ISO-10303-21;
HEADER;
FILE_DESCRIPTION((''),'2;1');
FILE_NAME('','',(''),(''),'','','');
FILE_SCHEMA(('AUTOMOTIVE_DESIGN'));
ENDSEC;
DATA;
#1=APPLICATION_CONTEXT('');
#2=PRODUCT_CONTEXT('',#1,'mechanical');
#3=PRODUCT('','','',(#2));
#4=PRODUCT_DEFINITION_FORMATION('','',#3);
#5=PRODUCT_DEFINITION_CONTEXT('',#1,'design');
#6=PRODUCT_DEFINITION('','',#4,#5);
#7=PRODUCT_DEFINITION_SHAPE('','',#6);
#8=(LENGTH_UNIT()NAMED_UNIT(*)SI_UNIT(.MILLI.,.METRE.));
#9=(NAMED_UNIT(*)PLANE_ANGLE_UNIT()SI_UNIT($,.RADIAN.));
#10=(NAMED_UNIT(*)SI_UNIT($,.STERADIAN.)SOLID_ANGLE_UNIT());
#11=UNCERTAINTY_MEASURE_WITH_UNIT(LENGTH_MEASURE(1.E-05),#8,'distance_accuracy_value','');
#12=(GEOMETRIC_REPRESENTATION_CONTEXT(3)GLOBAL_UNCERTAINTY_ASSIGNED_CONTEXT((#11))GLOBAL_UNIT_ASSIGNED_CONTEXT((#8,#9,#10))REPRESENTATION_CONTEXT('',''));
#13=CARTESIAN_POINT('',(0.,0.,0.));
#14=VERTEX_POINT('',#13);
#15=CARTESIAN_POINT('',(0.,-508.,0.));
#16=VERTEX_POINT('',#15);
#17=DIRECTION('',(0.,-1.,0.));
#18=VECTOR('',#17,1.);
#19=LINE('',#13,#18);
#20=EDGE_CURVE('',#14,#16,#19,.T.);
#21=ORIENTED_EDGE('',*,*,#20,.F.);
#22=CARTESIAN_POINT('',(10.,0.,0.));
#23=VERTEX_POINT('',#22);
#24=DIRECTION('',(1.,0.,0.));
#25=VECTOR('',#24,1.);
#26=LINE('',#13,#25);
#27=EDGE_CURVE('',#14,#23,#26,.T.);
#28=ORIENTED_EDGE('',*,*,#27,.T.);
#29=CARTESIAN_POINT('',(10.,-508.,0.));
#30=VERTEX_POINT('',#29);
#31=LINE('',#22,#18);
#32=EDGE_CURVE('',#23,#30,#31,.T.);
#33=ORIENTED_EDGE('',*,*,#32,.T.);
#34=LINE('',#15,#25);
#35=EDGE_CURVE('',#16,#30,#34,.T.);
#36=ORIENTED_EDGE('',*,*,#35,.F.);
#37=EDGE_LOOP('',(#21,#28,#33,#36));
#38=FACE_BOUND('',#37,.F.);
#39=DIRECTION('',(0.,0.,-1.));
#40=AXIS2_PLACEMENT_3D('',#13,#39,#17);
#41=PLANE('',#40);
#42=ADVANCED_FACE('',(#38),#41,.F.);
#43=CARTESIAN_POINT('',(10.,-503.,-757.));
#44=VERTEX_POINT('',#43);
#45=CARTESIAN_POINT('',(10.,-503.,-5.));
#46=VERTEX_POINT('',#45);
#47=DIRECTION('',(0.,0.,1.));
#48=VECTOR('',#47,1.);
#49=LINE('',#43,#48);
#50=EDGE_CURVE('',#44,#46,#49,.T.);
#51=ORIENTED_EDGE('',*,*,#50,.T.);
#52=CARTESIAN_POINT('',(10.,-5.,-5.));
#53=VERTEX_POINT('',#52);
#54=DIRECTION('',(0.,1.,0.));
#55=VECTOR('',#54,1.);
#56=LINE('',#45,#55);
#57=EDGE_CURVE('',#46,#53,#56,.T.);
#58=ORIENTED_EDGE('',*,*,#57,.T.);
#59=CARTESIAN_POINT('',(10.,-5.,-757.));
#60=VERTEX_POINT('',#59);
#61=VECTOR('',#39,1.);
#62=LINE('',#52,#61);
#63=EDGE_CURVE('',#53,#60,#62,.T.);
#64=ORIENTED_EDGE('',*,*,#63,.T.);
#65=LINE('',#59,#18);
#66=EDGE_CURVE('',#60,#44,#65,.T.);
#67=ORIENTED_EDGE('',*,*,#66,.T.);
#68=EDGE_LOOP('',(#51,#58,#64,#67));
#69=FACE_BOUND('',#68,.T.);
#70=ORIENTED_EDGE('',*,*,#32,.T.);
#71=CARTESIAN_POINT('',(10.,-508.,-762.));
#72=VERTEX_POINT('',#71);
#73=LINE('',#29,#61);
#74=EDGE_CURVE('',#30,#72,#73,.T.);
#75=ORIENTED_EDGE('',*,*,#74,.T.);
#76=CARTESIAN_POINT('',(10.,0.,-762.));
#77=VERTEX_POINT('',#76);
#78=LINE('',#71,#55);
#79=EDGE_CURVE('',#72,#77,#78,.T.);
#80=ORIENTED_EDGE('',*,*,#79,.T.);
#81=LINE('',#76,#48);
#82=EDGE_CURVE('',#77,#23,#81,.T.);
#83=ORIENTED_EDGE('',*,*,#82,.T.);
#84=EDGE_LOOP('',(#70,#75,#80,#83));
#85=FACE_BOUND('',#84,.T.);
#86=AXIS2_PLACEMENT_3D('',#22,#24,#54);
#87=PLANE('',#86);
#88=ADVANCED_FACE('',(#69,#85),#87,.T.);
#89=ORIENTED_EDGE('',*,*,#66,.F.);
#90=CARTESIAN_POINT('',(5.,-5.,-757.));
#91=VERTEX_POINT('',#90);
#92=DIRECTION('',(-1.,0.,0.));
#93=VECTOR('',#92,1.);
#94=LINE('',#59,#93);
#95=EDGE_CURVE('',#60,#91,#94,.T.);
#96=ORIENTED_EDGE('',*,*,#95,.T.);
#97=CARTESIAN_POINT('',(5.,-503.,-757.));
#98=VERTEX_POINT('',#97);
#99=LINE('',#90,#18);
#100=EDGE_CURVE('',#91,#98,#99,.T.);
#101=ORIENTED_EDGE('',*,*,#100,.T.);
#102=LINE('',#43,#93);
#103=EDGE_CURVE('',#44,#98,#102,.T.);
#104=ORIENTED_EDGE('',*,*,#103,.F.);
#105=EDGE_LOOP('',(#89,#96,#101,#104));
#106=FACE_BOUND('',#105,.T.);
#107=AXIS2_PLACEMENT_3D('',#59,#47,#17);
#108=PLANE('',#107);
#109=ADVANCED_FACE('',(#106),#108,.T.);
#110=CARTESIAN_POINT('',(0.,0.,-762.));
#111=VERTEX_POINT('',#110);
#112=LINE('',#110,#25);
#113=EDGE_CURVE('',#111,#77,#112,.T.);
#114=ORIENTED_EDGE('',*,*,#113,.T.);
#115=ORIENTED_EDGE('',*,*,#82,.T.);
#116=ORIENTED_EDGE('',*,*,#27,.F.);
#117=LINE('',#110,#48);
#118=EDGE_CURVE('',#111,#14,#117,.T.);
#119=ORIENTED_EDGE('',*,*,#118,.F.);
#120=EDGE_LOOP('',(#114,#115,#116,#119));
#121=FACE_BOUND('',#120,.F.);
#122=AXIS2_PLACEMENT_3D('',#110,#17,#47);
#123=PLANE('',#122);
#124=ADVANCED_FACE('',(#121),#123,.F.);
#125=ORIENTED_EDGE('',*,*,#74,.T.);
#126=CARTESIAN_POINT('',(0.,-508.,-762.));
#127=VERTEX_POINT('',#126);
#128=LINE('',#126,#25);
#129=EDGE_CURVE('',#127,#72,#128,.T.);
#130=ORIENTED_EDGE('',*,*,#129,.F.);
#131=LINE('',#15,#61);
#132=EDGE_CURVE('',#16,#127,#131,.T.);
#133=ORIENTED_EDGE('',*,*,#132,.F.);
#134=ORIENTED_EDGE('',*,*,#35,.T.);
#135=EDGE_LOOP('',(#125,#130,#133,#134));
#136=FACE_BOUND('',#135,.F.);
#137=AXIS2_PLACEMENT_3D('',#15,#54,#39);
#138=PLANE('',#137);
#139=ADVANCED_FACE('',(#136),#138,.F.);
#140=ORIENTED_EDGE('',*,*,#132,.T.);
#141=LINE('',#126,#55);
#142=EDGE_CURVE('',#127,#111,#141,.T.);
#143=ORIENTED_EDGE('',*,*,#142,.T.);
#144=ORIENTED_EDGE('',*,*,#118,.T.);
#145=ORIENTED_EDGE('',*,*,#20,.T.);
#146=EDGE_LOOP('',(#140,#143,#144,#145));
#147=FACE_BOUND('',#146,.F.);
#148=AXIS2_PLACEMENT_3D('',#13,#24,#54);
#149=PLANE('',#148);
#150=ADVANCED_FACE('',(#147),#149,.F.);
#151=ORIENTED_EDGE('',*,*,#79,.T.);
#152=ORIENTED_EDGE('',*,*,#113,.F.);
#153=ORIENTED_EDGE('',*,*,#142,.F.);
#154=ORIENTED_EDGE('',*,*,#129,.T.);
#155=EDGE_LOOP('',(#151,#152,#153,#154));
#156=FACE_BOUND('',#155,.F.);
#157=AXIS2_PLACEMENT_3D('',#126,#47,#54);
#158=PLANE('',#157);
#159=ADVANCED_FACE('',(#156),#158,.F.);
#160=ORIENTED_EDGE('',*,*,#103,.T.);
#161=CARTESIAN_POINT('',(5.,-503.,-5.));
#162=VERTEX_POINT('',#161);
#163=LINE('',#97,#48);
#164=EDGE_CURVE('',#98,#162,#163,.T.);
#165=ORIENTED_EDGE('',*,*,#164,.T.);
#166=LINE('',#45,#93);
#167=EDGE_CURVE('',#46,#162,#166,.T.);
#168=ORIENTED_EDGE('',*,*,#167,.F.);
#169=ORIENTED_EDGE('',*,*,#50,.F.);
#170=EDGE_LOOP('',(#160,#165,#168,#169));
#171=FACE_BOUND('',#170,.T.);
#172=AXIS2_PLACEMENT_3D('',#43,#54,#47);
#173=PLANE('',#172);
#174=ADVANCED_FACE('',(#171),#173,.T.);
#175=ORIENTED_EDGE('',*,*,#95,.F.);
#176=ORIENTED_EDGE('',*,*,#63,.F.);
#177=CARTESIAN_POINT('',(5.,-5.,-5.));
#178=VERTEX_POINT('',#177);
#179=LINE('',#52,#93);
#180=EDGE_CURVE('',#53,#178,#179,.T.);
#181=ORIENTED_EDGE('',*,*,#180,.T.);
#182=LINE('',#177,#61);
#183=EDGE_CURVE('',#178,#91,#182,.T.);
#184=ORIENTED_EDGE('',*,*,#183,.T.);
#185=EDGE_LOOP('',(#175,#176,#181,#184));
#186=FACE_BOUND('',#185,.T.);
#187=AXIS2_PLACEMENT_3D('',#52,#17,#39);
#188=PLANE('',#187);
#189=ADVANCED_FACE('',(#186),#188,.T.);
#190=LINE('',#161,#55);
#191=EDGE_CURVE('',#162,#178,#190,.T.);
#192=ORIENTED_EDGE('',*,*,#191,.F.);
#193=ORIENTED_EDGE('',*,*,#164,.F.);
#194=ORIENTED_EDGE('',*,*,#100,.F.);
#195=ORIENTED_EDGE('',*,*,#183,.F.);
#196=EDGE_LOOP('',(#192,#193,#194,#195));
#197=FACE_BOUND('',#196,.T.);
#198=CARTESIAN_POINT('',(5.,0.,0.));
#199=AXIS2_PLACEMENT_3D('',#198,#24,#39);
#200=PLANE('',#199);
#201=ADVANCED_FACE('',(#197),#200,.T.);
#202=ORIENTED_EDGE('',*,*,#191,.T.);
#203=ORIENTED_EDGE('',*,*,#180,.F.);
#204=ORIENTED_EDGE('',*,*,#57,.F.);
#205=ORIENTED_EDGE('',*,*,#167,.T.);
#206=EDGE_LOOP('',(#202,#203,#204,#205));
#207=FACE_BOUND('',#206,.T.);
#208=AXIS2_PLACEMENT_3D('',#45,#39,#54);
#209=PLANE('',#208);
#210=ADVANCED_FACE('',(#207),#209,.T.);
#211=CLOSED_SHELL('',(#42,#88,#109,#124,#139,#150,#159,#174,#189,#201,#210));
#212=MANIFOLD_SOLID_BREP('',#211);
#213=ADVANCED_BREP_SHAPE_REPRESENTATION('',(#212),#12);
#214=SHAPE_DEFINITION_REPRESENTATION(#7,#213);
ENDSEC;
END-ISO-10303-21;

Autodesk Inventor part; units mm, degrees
ref_plane "YZ Plane" through (0, 0, 0) normal (1, 0, 0) x (0, 1, 0)
ref_plane "XZ Plane" through (0, 0, 0) normal (0, 1, 0) x (-1, 0, 0)
ref_plane "XY Plane" through (0, 0, 0) normal (0, 0, 1) x (1, 0, 0)
sketch "Sketch1" plane through (0, 0, 0) normal (1, 0, 0) x (0, 1, 0)
  line L0 (0, 0) -> (-508, 0)
  line L1 (-508, 0) -> (-508, -762)
  line L2 (-508, -762) -> (0, -762)
  line L3 (0, -762) -> (0, 0)
  dimension "d0" = 508
  dimension "d1" = 762
extrude "Extrusion1" add sketch "Sketch1" along normal blind 10
sketch "Sketch2" plane through (10, 0, 0) normal (1, 0, 0) x (0, 0, -1)
  line L0 (5, -5) -> (757, -5)
  line L1 (757, -5) -> (757, -503)
  line L2 (757, -503) -> (5, -503)
  line L3 (5, -503) -> (5, -5)
  line L4 (0, 0) -> (0, -508) projected
  line L5 (762, 0) -> (0, 0) projected
  line L6 (762, -508) -> (762, 0) projected
  line L7 (0, -508) -> (762, -508) projected
  dimension "d4" = 5
  dimension "d5" = 5
  dimension "d6" = 5
  dimension "d7" = 5
extrude "Extrusion2" cut sketch "Sketch2" against normal blind 5 contours L0 L1 L2 L3
properties part number "board"
